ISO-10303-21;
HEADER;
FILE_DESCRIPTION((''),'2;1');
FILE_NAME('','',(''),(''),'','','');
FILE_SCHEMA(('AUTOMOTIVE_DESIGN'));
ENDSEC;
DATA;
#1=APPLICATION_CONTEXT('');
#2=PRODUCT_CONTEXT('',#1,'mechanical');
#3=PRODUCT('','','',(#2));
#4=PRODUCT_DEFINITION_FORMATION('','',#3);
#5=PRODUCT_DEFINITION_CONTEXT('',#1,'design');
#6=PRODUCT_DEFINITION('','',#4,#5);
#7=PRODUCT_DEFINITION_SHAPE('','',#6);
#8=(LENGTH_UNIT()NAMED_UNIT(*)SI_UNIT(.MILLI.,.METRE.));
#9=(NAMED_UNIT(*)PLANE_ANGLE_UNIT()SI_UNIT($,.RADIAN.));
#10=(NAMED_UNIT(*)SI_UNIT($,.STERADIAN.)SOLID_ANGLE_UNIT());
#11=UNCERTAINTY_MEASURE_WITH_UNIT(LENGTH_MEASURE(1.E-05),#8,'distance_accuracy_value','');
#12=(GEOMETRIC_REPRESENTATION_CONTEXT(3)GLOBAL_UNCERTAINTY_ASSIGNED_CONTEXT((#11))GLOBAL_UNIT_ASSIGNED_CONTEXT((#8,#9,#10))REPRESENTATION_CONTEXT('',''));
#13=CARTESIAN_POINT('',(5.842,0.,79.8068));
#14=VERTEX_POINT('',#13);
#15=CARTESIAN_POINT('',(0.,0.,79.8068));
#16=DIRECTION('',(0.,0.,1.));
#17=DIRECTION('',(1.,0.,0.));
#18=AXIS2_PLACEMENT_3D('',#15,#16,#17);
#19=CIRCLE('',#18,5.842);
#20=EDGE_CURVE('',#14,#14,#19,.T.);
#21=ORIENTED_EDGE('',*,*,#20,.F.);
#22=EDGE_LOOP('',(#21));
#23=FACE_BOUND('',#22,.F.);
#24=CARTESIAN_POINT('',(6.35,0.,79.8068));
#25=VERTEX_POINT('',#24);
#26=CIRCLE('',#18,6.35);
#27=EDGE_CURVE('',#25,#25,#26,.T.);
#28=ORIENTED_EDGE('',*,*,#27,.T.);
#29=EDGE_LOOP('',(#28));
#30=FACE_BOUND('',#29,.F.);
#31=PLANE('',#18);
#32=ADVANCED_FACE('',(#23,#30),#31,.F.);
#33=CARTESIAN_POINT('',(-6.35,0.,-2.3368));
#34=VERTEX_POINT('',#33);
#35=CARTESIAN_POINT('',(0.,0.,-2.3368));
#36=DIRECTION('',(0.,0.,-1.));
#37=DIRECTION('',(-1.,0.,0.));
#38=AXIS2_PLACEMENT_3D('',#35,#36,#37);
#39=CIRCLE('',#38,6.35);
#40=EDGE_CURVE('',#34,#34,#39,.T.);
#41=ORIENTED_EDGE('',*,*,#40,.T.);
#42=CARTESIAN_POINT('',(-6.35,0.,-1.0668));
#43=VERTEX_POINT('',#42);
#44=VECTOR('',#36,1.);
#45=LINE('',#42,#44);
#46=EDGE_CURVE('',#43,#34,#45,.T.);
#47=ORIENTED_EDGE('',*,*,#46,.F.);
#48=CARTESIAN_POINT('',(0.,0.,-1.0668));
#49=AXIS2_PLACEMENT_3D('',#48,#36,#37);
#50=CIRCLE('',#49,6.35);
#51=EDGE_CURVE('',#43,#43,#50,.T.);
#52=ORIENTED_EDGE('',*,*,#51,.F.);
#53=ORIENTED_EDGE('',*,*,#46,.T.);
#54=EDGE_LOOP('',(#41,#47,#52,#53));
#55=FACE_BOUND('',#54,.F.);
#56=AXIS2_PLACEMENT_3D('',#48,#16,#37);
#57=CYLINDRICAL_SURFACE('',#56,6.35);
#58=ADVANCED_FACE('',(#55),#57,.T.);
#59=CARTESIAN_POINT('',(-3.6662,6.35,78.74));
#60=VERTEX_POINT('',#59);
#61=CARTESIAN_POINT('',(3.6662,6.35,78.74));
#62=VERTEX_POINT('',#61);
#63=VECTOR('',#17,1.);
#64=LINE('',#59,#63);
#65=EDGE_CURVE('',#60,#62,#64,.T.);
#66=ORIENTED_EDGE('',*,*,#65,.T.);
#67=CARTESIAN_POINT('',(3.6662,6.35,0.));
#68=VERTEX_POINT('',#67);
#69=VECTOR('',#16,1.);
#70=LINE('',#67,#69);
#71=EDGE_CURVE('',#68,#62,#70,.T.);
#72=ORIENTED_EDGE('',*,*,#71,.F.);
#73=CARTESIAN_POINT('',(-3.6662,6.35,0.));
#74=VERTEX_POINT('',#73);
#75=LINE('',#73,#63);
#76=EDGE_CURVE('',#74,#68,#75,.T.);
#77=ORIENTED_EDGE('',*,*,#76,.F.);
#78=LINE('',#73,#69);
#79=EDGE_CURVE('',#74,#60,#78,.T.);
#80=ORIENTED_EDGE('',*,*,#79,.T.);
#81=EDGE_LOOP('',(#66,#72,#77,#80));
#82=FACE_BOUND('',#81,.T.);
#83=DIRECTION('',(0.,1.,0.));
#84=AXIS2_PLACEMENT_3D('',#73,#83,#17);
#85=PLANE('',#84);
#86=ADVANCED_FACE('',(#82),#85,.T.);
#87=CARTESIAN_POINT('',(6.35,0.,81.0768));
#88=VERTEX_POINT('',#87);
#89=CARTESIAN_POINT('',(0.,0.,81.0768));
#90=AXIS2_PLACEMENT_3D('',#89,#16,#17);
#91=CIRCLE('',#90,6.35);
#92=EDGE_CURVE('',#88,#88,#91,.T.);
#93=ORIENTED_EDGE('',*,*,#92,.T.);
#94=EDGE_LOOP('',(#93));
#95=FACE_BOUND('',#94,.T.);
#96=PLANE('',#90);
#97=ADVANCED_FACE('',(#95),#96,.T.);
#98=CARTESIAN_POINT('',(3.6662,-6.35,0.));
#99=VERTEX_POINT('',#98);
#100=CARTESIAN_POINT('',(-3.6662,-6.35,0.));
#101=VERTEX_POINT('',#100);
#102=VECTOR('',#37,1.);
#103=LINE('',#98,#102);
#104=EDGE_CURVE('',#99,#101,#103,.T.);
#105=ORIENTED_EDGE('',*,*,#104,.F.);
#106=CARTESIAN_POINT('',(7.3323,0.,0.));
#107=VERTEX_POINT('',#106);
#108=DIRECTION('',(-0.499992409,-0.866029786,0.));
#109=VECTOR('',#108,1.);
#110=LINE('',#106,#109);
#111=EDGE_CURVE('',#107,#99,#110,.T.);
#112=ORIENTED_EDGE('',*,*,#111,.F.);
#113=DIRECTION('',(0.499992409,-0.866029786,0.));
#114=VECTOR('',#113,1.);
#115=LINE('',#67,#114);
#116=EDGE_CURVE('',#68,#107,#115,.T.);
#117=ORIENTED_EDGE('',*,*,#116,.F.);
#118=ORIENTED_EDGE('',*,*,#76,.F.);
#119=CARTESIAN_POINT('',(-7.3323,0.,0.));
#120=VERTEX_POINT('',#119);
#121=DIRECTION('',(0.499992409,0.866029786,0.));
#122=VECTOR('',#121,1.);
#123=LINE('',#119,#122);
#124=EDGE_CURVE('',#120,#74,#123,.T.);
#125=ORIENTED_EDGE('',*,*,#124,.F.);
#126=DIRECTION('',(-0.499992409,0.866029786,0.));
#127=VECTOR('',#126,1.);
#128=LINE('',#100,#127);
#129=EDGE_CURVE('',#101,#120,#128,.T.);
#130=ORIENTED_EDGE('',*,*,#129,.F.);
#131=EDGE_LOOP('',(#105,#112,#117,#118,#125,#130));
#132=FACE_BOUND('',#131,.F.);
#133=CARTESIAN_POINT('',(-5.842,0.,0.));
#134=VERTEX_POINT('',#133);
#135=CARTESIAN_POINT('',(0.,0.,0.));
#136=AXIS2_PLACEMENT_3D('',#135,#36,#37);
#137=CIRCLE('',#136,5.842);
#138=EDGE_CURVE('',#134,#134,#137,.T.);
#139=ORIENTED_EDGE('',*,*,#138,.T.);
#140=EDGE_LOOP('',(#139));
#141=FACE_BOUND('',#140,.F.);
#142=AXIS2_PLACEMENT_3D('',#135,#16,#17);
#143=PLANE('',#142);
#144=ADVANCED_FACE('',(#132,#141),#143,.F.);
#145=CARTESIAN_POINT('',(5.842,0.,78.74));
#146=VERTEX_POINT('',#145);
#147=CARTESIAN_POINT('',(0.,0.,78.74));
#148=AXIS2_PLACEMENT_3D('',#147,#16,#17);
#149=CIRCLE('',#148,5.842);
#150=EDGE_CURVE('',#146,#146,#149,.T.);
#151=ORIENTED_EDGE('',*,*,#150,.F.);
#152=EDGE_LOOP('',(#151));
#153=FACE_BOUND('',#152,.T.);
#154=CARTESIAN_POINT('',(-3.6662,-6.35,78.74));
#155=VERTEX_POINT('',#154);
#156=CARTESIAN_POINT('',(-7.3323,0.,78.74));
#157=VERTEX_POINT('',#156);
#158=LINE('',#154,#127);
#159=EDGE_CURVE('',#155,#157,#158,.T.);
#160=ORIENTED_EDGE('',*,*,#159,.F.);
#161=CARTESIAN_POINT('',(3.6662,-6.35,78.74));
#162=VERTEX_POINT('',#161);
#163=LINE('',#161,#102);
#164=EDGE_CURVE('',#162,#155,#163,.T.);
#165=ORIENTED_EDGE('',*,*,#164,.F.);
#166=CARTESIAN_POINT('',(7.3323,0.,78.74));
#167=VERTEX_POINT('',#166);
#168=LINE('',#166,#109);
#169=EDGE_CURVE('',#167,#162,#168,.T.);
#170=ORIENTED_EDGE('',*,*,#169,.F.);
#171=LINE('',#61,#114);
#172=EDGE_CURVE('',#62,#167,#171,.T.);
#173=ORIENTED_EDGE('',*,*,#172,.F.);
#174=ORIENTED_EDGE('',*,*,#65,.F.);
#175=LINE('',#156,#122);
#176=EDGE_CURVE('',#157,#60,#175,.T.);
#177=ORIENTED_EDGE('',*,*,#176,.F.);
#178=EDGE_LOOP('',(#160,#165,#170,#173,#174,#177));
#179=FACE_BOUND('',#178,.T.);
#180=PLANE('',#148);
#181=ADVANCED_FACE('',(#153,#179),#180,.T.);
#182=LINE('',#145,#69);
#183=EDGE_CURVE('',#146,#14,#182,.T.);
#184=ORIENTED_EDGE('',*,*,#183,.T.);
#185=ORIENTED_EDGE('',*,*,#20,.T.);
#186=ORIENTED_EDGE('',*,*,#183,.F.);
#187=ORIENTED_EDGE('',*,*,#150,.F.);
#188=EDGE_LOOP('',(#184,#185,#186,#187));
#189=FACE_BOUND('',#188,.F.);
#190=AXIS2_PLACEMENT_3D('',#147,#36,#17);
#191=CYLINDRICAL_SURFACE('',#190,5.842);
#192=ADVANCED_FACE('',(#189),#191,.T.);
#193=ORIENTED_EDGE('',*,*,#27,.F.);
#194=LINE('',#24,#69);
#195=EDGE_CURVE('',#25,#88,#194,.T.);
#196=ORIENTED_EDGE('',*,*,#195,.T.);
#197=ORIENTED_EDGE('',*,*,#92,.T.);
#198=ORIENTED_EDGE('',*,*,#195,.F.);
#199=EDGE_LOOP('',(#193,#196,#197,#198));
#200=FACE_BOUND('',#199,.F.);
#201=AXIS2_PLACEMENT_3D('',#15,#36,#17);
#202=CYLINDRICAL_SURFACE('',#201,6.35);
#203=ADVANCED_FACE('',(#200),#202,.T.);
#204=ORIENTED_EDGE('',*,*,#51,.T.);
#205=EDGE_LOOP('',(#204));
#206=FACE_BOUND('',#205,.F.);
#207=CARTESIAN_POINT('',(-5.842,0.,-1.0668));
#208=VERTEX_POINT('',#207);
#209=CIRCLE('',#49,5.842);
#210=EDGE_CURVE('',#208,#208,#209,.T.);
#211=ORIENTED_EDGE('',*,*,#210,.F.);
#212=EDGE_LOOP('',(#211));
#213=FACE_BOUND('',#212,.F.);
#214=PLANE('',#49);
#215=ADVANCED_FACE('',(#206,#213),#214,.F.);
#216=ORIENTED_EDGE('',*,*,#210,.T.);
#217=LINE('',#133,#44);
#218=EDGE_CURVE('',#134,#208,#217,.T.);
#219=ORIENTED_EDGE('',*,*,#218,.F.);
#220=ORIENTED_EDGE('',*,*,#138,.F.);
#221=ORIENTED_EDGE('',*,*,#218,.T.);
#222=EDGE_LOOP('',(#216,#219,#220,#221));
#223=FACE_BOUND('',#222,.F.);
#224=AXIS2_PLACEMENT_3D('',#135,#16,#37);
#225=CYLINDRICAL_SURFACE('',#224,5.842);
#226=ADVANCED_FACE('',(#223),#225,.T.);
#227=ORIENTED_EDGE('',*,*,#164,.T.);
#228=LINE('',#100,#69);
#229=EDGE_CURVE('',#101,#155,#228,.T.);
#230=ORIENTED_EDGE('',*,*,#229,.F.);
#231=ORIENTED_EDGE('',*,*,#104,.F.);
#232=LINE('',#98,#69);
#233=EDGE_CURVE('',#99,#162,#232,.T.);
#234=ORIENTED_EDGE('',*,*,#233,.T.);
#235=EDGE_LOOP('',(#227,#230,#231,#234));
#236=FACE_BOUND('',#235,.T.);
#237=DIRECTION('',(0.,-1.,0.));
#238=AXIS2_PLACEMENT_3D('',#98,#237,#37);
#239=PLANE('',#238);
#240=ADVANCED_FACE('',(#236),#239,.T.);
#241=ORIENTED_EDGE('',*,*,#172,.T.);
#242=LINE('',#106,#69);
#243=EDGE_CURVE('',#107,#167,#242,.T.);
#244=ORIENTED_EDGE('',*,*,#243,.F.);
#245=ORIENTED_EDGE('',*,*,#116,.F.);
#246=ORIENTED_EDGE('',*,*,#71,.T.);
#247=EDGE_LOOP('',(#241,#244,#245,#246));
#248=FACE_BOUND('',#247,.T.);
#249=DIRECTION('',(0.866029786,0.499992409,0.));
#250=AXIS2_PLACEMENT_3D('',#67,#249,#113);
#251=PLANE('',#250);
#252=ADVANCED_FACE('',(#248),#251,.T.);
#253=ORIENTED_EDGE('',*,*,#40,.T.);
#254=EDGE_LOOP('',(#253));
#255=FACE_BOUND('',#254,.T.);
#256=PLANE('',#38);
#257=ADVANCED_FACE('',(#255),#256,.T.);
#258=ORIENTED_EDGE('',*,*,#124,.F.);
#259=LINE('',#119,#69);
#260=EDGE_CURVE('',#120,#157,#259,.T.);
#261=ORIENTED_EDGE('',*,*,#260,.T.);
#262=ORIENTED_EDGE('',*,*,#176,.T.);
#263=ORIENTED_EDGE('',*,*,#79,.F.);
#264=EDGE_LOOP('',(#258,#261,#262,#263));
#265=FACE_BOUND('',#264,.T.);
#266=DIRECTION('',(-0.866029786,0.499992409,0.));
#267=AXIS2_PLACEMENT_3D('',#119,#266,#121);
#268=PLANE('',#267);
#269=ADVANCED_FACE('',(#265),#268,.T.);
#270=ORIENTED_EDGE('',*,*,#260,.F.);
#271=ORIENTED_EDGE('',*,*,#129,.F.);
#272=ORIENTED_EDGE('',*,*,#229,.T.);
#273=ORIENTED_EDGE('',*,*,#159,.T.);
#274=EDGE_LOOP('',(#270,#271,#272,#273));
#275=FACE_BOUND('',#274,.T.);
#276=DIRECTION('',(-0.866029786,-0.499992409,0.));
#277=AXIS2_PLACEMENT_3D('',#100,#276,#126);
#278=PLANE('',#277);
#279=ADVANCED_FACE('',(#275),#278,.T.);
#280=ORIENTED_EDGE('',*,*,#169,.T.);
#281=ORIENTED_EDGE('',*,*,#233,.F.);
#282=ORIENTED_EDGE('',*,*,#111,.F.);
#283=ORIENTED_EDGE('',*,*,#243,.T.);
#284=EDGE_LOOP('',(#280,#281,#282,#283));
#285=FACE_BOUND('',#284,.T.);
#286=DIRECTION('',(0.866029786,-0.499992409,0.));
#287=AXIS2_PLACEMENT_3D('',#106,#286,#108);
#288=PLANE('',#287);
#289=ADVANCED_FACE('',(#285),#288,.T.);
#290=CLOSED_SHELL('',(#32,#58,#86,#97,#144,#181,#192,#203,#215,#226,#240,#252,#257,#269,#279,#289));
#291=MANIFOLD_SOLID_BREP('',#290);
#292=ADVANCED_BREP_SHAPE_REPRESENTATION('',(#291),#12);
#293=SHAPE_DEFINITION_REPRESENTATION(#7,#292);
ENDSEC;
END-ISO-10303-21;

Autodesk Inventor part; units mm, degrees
ref_plane "YZ Plane" through (0, 0, 0) normal (1, 0, 0) x (0, 1, 0)
ref_plane "XZ Plane" through (0, 0, 0) normal (0, 1, 0) x (-1, 0, 0)
ref_plane "XY Plane" through (0, 0, 0) normal (0, 0, 1) x (1, 0, 0)
sketch "Sketch1" plane through (0, 0, 0) normal (0, 0, 1) x (1, 0, 0)
  line L0 (7.3323, 0) -> (3.6662, -6.35)
  line L1 (3.6662, -6.35) -> (-3.6662, -6.35)
  line L2 (-3.6662, -6.35) -> (-7.3323, 0)
  line L3 (-7.3323, 0) -> (-3.6662, 6.35)
  line L4 (-3.6662, 6.35) -> (3.6662, 6.35)
  line L5 (3.6662, 6.35) -> (7.3323, 0)
  point P0 (0, 0)
  point P1 (0, 0)
  dimension "d0" = 12.7
extrude "Extrusion1" add sketch "Sketch1" along normal blind 78.74
sketch "Sketch2" plane through (0, 0, 78.74) normal (0, 0, 1) x (1, 0, 0)
  circle A0 centre (0, 0) radius 5.842
  dimension "d7" = 11.684
extrude "Extrusion2" add sketch "Sketch2" along normal blind 1.0668
sketch "Sketch3" plane through (0, 0, 79.8068) normal (0, 0, 1) x (1, 0, 0)
  circle A0 centre (0, 0) radius 6.35
extrude "Extrusion3" add sketch "Sketch3" along normal blind 1.27
sketch "Sketch4" plane through (0, 0, 0) normal (0, 0, -1) x (-1, 0, 0)
  circle A0 centre (0, 0) radius 5.842
  circle A1 centre (0, 0) radius 6.35 projected
  dimension "d8" = 11.684
extrude "Extrusion4" add sketch "Sketch4" along normal blind 1.0668 contours A0
sketch "Sketch5" plane through (0, 0, -1.0668) normal (0, 0, -1) x (-1, 0, 0)
  circle A0 centre (0, 0) radius 6.35
  dimension "d11" = 12.7
extrude "Extrusion5" add sketch "Sketch5" along normal blind 1.27
properties part number "CPS_007_HexShaftForCPS" material "Aluminum 6061"
